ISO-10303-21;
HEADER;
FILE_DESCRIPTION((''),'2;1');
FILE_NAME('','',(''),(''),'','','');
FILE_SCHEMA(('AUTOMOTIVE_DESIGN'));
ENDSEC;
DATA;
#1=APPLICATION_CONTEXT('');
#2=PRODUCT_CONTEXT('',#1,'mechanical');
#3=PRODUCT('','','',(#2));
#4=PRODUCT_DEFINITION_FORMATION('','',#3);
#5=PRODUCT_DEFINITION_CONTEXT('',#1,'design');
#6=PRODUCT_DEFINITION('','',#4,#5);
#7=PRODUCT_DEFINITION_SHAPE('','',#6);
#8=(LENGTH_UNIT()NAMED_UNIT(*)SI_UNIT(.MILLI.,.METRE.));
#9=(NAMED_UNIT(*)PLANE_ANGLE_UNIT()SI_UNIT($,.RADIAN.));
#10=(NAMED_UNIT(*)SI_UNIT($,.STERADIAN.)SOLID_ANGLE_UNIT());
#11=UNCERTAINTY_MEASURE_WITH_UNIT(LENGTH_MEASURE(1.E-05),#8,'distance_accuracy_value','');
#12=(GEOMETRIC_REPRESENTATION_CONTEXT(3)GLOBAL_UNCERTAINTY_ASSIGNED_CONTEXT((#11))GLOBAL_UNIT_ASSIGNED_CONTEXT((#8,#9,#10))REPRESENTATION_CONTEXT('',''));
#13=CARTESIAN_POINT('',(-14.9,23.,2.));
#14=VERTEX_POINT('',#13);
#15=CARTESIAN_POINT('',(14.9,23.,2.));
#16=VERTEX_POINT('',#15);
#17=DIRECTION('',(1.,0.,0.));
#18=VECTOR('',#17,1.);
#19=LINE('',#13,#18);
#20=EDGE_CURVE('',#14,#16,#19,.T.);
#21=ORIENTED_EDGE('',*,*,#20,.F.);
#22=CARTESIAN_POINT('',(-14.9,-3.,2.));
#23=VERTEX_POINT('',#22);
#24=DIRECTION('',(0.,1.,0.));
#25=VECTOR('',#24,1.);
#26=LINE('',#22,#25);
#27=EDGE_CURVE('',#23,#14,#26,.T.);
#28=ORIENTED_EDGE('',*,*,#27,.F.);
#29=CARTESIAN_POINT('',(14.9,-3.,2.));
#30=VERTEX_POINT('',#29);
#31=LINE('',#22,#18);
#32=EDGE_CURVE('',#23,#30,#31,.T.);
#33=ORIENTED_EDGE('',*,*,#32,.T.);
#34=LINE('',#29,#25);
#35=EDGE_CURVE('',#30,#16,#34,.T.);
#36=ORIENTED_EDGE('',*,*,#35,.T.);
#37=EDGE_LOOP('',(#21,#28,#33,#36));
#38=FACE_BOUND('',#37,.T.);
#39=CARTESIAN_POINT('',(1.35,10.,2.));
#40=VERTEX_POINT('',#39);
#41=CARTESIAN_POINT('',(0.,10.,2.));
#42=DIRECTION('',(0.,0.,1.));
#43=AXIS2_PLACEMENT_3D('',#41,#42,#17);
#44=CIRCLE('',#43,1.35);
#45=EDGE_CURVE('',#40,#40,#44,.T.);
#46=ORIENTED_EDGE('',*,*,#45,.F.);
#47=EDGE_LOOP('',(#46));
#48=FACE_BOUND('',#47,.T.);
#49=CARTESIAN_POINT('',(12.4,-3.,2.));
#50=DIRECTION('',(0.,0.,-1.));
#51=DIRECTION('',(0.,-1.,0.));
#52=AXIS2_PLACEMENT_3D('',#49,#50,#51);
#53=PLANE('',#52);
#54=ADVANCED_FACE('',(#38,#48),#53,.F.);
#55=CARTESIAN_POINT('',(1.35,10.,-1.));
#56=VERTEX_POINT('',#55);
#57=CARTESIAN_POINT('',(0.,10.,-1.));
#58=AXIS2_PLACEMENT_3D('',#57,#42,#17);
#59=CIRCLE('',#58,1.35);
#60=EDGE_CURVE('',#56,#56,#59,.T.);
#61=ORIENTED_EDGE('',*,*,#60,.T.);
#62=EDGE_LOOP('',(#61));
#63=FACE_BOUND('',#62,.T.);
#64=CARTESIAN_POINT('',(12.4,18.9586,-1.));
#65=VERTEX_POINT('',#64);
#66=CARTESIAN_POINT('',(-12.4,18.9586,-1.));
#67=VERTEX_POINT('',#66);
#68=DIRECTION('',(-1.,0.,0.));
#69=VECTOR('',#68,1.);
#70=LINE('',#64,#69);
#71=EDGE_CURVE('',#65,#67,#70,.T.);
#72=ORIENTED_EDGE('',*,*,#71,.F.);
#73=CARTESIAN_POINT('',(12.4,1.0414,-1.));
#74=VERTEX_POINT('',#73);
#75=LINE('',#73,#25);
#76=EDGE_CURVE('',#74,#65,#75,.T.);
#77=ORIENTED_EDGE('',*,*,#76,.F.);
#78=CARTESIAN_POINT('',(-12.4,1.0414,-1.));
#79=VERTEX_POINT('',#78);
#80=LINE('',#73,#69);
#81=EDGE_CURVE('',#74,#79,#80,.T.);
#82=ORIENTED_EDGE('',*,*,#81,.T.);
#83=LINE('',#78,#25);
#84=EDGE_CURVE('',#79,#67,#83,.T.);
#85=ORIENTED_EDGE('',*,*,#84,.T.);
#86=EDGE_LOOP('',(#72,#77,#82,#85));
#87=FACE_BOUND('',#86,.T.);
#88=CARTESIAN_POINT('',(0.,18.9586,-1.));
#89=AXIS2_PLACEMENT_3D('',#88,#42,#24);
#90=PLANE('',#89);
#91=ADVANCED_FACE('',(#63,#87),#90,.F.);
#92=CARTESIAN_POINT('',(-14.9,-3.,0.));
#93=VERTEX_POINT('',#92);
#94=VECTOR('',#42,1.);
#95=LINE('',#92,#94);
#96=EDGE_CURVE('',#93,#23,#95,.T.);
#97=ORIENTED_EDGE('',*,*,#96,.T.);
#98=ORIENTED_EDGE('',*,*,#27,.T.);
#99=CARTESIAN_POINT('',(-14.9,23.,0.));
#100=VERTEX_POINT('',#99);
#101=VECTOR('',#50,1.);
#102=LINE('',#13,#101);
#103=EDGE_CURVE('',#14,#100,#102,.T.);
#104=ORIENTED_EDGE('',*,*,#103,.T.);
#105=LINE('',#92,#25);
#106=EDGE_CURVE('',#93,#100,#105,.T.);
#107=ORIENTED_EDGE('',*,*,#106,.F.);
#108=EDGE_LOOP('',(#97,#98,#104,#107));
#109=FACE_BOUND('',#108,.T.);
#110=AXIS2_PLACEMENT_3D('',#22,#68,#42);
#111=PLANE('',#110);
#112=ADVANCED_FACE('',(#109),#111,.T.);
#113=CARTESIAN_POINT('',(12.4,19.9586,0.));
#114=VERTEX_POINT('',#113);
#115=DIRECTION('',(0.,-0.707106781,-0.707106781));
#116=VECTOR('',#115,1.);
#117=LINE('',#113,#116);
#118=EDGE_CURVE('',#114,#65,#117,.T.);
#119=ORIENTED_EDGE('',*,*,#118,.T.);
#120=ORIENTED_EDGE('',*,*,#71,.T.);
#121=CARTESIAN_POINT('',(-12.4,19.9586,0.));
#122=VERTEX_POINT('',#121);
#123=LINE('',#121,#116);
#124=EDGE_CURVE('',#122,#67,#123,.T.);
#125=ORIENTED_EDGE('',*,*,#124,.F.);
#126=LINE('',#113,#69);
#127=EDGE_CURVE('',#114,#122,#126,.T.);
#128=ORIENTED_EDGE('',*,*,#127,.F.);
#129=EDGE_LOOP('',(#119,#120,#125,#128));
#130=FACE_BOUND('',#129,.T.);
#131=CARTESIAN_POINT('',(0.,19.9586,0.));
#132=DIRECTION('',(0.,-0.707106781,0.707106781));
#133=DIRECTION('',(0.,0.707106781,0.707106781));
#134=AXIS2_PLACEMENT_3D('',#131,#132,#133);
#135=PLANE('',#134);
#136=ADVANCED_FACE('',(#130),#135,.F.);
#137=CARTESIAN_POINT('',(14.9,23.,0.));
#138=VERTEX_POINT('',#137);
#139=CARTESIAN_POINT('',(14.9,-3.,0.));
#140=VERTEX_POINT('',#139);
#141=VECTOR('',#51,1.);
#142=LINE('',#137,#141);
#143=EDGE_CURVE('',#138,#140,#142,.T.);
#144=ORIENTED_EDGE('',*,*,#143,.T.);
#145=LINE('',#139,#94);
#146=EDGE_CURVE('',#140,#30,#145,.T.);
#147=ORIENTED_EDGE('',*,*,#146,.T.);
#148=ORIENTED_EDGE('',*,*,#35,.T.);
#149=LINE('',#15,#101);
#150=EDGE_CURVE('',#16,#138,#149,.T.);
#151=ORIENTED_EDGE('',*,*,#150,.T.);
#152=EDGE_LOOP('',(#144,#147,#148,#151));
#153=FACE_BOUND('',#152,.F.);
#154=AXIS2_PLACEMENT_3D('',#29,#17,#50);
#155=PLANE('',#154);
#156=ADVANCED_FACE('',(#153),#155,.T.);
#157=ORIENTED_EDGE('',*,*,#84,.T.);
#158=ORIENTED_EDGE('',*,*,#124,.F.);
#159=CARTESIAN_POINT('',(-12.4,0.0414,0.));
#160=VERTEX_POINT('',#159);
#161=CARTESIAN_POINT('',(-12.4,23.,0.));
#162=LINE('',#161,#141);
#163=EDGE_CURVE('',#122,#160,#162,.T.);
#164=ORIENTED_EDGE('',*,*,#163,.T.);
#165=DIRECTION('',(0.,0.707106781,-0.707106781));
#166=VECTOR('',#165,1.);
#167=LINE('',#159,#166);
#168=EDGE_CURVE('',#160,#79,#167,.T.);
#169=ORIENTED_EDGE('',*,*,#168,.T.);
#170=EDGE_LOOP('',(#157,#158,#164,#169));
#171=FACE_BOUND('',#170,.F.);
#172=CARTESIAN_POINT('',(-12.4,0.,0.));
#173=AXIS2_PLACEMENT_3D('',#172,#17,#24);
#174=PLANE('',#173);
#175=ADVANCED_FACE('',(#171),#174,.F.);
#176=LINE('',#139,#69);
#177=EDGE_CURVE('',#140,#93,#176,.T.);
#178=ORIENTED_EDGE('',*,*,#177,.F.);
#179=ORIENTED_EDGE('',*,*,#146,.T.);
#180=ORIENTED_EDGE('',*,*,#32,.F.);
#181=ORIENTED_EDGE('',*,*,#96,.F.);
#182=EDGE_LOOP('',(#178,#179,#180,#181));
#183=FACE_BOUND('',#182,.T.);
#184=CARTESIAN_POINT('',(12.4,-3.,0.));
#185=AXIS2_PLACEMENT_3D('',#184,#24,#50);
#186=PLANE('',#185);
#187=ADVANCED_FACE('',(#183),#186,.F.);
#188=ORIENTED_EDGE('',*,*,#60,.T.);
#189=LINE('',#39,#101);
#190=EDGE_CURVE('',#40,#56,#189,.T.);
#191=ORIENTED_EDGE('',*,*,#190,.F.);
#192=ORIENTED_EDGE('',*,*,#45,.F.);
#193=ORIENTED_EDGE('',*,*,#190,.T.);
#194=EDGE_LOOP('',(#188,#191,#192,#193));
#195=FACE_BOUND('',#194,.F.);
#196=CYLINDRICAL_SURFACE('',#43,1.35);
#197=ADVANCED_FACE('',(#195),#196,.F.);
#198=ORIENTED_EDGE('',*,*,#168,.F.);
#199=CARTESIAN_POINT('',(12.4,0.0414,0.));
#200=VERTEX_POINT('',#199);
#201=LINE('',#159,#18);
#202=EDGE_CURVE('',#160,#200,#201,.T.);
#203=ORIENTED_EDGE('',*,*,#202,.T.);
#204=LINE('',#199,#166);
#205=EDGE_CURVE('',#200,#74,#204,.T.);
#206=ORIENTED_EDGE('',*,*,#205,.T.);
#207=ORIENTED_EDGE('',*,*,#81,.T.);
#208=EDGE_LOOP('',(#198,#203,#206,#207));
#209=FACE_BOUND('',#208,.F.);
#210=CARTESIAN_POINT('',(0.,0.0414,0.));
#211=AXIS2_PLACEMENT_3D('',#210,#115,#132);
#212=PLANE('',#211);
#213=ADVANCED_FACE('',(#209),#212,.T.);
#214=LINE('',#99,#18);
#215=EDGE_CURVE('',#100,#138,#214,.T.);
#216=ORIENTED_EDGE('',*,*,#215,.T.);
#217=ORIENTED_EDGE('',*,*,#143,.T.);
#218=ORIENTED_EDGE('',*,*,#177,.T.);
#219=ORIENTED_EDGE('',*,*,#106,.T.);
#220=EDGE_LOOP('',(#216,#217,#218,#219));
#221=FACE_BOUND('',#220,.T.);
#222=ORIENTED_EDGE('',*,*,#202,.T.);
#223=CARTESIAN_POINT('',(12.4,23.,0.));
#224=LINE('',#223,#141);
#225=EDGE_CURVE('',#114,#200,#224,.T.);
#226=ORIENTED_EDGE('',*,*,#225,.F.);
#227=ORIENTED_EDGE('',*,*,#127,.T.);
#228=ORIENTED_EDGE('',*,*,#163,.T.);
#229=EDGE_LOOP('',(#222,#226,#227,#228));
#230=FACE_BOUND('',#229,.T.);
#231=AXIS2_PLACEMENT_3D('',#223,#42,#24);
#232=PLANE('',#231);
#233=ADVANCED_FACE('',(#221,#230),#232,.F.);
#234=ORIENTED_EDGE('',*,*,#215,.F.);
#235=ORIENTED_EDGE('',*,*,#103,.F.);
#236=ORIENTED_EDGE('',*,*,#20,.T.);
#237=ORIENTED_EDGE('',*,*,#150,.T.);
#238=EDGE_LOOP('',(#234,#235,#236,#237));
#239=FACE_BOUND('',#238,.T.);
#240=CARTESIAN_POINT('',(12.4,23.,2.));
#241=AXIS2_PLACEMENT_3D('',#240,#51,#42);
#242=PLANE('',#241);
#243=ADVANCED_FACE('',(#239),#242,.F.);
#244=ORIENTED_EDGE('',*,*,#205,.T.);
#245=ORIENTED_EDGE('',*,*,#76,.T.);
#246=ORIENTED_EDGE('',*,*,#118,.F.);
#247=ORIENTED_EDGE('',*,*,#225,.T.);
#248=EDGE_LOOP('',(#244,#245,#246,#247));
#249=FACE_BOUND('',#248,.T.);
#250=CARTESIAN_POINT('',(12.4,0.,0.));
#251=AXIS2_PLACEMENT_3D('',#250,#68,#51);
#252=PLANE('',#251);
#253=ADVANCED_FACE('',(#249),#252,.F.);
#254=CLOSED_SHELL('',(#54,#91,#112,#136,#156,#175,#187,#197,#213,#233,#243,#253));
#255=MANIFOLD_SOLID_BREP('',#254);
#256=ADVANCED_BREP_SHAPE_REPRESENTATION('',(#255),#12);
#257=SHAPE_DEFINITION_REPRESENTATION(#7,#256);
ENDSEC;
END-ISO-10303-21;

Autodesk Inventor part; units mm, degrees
ref_plane "YZ Plane" through (0, 0, 0) normal (1, 0, 0) x (0, 1, 0)
ref_plane "Work Plane1" through (-12.4, -4.3, -12.7) normal (1, 0, 0) x (0, 1, 0)
sketch "Sketch1" plane through (0, 0, 0) normal (1, 0, 0) x (0, 1, 0)
  line L0 (16, -9.5) -> (16, -7.1) projected
  line L1 (16, -9.5) -> (4, -9.5) projected
  line L2 (4, -9.5) -> (4, -7.1) projected
  line L3 (-3, -0.1) -> (4, -7.1) projected
  line L4 (23, -0.1) -> (-3, -0.1) construction
  line L5 (16, -7.1) -> (23, -0.1) projected
  line L6 (13, -7.1) -> (20, -0.1) projected
  line L7 (0, -0.1) -> (7, -7.1) projected
  line L8 (0.0414, 0) -> (1.0414, -1)
  line L9 (0.0414, 0) -> (-3, 0)
  line L10 (-3, 0) -> (-3, 2)
  line L11 (-3, 2) -> (10, 2)
  line L12 (10, -9.5) -> (10, 0) construction
  line L13 (1.0414, -1) -> (10, -1)
  line L14 (19.9586, 0) -> (18.9586, -1)
  line L15 (19.9586, 0) -> (23, 0)
  line L16 (23, 0) -> (23, 2)
  line L17 (23, 2) -> (10, 2)
  line L18 (18.9586, -1) -> (10, -1)
  point P0 (0, 0)
  dimension "d0" = 0.1
  dimension "d1" = 0.1
  dimension "d2" = 2
  dimension "d3" = 3
extrude "Extrusion1" add sketch "Sketch1" against normal up to surface (12.4 mm away)
sketch "Sketch2" plane through (-12.4, -3, 2) normal (-1, 0, 0) x (0, 0, 1)
  line L0 (-3, 21.9586) -> (-3, 4.0414) projected
  line L1 (-3, 4.0414) -> (-2, 3.0414) projected
  line L2 (-2, 3.0414) -> (-2, 0) projected
  line L3 (-2, 0) -> (0, 0) projected
  line L4 (0, 0) -> (0, 26) projected
  line L5 (0, 26) -> (-2, 26) projected
  line L6 (-2, 26) -> (-2, 22.9586) projected
  line L7 (-2, 22.9586) -> (-3, 21.9586) projected
  line L8 (0, 26) -> (0, 0) projected
  line L9 (-2, 0) -> (0, 0)
  line L10 (0, 0) -> (0, 26)
  line L11 (0, 26) -> (-2, 26)
  line L12 (-2, 26) -> (-2, 0)
  point P0 (-2, 3)
  point P1 (-2, 3.0414)
ref_plane "Work Plane2" through (-14.9, -3, -9.5) normal (-1, 0, 0) x (0, 0, 1)
extrude "Extrusion2" add sketch "Sketch2" along normal up to surface (2.5 mm away) contours L6 L5 L4 L3 L2 L12
mirror "Mirror1" about plane through (0, 10, 0.5) normal (1, 0, 0) of "Extrusion2", "Extrusion1"
sketch "Sketch3" plane through (-14.9, -3, 2) normal (0, 0, 1) x (1, 0, 0)
  line L0 (0, 0) -> (29.8, 0) projected
  line L1 (29.8, 26) -> (29.8, 0) projected
  line L2 (0, 26) -> (29.8, 26) projected
  line L3 (0, 26) -> (0, 0) projected
  circle A0 centre (14.9, 13) radius 1.35
  point P0 (14.9, 3)
  point P1 (0, 13)
  point P2 (14.9, 26)
  dimension "d8" = 2.7
extrude "Extrusion3" cut sketch "Sketch3" against normal through all contours A0
properties part number "hopper lid"
